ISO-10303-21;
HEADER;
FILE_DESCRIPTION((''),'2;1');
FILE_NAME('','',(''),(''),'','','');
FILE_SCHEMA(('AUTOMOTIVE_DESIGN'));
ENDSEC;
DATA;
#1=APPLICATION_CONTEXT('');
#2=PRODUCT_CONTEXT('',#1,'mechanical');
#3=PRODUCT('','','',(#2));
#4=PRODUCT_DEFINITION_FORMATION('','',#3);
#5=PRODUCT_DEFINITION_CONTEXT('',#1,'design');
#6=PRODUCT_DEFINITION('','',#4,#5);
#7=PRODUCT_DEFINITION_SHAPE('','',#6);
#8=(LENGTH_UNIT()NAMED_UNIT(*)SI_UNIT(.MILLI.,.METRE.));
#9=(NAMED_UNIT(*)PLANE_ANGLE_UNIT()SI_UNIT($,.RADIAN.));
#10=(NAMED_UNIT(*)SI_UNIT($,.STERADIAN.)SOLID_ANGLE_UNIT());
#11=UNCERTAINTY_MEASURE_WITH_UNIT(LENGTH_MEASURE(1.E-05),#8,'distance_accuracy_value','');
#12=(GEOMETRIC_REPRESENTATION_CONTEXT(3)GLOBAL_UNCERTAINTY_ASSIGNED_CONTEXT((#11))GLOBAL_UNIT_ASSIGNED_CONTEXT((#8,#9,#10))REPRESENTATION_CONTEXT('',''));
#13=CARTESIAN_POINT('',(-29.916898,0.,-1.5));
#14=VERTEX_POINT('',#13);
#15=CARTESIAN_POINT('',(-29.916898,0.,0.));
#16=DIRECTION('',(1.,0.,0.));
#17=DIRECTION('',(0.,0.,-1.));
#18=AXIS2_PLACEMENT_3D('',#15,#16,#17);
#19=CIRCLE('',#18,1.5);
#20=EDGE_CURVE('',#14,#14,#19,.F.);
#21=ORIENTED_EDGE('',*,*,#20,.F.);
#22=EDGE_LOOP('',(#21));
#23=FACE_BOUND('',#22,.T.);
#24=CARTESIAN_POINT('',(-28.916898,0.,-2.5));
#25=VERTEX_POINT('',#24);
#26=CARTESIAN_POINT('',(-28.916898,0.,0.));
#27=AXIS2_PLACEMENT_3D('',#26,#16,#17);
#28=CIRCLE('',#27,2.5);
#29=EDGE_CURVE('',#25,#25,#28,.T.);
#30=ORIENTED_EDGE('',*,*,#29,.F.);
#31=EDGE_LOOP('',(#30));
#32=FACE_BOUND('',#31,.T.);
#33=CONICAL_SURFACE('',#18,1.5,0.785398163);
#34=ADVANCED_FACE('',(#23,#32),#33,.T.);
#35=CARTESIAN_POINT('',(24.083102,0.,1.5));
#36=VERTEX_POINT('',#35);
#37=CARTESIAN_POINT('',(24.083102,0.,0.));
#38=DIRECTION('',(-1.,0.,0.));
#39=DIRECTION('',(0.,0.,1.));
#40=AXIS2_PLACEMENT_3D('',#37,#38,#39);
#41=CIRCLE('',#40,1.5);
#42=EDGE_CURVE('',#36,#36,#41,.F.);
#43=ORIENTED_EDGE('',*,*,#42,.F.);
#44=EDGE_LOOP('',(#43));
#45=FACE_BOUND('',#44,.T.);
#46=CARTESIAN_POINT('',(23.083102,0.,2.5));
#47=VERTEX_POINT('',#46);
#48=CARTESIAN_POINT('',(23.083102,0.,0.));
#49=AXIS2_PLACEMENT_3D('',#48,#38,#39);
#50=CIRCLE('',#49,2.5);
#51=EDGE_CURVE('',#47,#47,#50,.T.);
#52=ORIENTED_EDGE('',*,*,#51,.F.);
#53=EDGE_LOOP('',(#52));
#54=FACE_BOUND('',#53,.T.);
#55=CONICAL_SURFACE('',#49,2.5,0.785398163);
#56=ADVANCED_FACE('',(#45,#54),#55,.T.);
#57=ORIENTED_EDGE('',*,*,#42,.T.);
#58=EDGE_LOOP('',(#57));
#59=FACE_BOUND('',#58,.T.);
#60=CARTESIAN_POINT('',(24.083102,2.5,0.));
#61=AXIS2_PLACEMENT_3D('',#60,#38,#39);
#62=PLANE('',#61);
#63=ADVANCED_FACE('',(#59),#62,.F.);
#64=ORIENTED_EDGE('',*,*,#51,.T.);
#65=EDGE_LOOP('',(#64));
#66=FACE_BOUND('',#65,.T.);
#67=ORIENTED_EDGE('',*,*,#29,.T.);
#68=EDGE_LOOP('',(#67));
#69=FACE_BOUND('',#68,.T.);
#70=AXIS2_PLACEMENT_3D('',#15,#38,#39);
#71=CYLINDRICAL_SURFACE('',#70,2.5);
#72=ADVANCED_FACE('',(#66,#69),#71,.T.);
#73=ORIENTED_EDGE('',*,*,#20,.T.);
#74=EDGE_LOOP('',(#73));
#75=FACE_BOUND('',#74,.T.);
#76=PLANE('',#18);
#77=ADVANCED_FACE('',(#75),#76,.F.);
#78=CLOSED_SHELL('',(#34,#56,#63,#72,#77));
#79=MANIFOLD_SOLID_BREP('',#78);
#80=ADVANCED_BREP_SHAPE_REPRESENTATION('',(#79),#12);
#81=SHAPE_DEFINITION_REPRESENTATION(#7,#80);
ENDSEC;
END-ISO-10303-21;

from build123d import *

# Parameters (mm, degrees)
SKETCH1_W     = 54
SKETCH1_H     = 2.5
CHAMFER1_SIZE = 1


with BuildPart() as part:
    # Sketch1 → Revolve1 (revolve)
    with BuildSketch(Plane.XY):
        with Locations((-2.916897507, 1.25)):
            Rectangle(SKETCH1_W, SKETCH1_H)
    revolve(axis=Axis((-29.916897507, 0, 0), (1, 0, 0)))

    # Chamfer1
    chamfer1_edges = [part.edges().sort_by_distance(p)[0] for p in [
        (24.083102493, -2.5, 0),
        (-29.916897507, -2.5, 0),
    ]]
    chamfer(chamfer1_edges, length=CHAMFER1_SIZE)


solid = part.part
